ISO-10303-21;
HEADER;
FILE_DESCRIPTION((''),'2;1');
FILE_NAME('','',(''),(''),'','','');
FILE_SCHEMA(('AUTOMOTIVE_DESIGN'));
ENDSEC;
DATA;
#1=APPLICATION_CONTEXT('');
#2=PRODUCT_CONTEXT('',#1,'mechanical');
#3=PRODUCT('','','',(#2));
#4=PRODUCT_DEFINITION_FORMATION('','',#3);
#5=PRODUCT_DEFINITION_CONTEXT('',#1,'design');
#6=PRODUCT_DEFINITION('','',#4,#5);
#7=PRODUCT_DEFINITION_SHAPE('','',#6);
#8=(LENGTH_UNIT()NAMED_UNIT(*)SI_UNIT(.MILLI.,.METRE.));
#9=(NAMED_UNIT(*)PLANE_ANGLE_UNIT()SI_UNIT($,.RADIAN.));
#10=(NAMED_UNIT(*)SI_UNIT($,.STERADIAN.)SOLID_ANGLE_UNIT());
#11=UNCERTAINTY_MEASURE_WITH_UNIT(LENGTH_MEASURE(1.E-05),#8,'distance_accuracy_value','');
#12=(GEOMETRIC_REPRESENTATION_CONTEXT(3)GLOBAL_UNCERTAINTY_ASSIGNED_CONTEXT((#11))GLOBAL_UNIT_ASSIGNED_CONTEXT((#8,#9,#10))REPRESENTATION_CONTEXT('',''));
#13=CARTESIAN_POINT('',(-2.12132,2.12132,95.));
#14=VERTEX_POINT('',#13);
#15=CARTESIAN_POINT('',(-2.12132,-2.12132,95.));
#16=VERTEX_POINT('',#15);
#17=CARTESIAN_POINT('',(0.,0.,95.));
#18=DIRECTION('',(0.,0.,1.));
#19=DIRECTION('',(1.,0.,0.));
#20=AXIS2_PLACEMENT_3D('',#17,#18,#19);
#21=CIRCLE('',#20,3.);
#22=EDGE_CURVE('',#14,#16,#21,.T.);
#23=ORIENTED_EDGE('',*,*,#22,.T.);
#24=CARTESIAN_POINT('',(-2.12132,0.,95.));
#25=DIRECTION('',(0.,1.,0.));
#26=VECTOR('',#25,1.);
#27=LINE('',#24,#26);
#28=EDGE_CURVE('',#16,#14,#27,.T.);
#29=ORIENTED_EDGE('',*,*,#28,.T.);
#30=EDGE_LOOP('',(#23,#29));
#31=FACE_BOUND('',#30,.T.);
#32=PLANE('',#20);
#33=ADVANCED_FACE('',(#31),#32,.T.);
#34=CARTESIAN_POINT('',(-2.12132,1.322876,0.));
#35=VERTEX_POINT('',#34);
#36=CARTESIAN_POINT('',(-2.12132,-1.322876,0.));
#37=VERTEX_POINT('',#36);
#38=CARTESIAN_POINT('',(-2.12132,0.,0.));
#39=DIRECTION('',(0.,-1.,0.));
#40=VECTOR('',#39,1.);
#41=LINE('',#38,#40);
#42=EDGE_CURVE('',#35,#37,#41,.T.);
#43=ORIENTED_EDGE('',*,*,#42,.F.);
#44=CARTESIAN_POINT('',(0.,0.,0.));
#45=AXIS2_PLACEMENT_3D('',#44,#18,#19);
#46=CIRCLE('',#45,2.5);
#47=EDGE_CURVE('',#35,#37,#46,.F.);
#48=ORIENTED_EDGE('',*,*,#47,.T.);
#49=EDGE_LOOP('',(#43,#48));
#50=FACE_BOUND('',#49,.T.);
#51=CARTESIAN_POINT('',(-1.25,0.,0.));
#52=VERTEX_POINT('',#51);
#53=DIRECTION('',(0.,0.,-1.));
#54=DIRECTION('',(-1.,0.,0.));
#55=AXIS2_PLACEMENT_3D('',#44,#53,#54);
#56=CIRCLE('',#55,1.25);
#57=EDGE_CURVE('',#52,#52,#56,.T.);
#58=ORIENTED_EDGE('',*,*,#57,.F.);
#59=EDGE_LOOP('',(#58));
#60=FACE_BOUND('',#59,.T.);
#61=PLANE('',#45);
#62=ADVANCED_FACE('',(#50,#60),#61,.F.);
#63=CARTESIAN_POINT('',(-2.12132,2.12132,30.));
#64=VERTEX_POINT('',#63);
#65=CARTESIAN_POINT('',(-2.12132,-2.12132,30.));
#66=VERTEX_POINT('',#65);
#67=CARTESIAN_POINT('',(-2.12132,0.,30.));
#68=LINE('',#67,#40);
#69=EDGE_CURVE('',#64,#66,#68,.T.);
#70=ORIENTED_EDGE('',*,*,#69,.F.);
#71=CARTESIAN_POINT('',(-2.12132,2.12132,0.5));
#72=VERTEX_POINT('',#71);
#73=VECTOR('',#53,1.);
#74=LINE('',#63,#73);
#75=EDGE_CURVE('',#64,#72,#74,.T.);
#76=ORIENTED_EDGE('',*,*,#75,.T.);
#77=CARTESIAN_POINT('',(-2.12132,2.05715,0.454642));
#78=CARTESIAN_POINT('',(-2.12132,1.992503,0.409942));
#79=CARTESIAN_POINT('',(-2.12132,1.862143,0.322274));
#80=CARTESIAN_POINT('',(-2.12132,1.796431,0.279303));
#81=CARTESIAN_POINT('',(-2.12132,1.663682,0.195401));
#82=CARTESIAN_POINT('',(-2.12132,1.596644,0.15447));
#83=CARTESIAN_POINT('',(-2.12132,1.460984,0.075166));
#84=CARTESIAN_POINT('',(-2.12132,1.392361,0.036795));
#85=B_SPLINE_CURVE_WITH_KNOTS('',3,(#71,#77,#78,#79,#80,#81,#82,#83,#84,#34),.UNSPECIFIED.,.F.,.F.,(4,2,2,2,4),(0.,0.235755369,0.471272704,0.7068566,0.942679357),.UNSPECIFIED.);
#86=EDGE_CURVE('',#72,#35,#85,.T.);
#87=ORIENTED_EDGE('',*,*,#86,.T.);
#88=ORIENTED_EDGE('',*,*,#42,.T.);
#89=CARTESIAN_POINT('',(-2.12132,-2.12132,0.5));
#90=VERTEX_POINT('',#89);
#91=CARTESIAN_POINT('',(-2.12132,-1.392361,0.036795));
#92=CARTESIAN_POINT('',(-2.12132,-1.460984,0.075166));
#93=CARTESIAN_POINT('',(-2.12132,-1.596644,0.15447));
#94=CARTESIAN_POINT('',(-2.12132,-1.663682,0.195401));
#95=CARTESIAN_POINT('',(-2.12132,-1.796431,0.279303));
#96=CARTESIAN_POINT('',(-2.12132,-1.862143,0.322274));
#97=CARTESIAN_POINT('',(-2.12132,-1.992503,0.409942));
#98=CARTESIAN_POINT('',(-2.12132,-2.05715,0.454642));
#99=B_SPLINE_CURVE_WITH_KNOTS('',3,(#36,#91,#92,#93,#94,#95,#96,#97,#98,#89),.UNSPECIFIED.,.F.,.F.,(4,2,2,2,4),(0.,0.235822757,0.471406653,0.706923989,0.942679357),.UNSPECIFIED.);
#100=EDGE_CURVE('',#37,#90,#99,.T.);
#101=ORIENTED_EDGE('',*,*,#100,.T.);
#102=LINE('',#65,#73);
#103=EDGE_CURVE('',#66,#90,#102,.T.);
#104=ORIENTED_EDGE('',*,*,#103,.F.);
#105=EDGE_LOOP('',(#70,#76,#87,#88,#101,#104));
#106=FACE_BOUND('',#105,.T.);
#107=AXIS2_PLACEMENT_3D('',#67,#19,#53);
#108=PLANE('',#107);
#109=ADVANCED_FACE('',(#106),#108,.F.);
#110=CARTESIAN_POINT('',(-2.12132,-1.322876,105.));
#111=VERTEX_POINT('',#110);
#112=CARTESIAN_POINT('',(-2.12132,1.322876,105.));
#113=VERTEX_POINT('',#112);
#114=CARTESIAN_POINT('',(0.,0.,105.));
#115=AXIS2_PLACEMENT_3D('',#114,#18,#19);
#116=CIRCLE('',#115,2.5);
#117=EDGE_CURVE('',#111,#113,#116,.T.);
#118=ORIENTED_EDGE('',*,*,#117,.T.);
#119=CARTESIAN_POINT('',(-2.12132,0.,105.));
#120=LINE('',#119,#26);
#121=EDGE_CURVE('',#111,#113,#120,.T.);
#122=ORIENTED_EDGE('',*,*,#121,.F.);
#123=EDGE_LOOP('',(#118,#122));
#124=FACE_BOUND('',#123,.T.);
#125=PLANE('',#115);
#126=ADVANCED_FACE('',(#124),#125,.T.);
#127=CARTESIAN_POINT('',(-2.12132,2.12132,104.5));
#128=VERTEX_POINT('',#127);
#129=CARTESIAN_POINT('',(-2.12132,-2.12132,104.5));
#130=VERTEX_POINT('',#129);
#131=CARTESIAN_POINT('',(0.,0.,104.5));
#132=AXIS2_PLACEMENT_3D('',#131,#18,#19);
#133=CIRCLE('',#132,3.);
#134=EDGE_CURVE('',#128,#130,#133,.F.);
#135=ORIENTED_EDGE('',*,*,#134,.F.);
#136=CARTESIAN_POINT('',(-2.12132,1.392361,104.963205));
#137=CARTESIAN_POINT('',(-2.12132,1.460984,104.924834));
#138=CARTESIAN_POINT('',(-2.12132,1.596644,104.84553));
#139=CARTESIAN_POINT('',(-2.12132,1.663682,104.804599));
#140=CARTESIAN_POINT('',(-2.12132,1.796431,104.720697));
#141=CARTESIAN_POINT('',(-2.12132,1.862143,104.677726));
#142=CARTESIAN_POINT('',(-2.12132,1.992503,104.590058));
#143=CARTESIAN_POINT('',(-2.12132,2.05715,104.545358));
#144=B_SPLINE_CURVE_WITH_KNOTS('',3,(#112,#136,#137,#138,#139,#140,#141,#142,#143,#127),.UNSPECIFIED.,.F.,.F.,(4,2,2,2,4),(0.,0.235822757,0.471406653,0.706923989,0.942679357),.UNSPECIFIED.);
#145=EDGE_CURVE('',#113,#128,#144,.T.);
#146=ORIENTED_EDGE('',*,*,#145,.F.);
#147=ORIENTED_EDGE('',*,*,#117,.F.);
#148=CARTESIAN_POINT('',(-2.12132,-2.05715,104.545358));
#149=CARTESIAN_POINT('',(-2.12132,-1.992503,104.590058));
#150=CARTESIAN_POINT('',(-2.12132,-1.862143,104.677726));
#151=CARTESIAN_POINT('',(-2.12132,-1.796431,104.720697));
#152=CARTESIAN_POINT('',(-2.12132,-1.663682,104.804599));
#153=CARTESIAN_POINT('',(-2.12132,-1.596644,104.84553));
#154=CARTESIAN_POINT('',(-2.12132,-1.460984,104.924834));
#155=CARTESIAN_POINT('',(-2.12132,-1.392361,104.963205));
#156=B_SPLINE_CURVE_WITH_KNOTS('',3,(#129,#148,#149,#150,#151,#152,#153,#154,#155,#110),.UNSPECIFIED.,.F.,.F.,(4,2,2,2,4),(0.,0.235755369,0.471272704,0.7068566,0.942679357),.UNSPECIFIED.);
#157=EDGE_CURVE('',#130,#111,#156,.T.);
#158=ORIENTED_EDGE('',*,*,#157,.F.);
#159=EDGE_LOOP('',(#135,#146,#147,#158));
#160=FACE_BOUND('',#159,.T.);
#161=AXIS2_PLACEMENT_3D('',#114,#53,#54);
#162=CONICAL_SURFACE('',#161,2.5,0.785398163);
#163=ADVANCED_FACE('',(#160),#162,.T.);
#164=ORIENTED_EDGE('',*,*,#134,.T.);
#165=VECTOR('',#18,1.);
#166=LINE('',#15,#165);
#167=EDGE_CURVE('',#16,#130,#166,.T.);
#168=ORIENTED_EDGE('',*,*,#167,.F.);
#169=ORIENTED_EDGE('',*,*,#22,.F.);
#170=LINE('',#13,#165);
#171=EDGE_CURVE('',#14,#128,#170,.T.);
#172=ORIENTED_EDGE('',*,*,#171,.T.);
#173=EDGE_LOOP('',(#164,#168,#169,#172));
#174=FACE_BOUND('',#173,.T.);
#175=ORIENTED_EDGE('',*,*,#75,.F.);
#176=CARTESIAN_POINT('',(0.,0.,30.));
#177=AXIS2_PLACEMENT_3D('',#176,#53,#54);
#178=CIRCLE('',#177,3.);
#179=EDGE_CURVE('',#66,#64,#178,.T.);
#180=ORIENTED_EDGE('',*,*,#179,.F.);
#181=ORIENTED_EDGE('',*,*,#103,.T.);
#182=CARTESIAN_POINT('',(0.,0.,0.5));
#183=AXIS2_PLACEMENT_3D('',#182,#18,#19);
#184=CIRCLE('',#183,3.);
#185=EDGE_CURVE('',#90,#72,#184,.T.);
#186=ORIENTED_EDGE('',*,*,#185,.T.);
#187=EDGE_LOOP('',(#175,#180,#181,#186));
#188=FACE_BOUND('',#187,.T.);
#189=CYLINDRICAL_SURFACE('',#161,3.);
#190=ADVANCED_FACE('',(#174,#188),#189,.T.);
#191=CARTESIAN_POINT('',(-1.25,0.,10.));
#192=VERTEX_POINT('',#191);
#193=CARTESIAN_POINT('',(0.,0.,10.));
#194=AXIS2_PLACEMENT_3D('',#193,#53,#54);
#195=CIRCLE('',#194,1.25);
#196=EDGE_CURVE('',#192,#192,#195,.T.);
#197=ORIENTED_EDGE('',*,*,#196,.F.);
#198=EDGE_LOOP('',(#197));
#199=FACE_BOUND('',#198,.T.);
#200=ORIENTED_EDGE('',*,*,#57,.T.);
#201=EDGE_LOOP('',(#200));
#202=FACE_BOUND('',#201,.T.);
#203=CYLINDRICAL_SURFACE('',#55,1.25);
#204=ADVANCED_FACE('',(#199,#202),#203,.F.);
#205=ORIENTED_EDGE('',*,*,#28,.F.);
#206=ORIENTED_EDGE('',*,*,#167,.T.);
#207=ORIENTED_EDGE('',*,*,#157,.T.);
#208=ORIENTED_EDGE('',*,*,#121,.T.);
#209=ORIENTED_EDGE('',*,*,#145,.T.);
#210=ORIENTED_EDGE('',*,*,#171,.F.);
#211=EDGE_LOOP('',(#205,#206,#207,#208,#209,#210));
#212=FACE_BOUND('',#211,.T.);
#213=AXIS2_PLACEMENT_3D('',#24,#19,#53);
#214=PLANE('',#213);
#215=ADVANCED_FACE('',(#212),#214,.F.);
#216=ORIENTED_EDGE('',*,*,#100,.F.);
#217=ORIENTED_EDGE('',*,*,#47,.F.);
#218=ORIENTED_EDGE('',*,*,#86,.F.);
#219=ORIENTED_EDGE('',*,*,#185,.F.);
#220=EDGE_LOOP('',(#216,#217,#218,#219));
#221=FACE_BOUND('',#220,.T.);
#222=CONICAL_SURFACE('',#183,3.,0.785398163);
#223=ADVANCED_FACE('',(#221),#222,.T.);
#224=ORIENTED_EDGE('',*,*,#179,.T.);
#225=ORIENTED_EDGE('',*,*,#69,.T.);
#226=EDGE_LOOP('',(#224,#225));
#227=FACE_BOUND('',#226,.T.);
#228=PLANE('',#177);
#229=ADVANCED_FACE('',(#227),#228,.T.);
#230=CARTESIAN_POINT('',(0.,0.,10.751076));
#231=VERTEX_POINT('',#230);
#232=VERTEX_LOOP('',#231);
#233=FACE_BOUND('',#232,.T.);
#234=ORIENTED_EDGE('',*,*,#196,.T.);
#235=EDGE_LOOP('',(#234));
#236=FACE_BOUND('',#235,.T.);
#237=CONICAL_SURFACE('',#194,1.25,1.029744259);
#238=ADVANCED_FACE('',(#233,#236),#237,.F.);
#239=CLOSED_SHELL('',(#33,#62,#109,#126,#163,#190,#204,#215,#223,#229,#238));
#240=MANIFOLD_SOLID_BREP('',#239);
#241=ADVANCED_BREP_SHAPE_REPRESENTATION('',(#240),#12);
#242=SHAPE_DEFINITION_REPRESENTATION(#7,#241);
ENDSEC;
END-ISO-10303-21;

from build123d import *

# Parameters (mm, degrees)
SKETCH_1_R          = 3
EXTRUDE_1_DEPTH     = 105
CUT_EXTRUDE_1_DEPTH = 30
CUT_EXTRUDE_START   = -10
CUT_EXTRUDE_2_DEPTH = 10
M3X0_5_1_D          = 2.5
M3X0_5_1_DEPTH      = 10
M3X0_5_1_TIP        = 0.751075774
CHAMFER_1_SIZE      = 0.5


with BuildPart() as part:
    # 草图1 → 凸台-拉伸1 (new body)
    with BuildSketch(Plane.XY):
        Circle(SKETCH_1_R)
    extrude(amount=EXTRUDE_1_DEPTH)

    # 草图2 → 切除-拉伸1 (cut)
    with BuildSketch(Plane(origin=(0, 0, 0), x_dir=(-1, 0, 0), z_dir=(0, 0, -1))):
        with BuildLine():
            ThreePointArc((3, 0), (2.771638598, 1.148050297), (2.121320344, 2.121320344))
            Line((2.121320344, 2.121320344), (2.121320344, -2.121320344))
            ThreePointArc((2.121320344, -2.121320344), (2.771638598, -1.148050297), (3, 0))
        make_face()
    extrude(amount=-CUT_EXTRUDE_1_DEPTH, mode=Mode.SUBTRACT)

    # 草图3 → 切除-拉伸2 (cut)
    with BuildSketch(Plane.XY.offset(105).offset(CUT_EXTRUDE_START)):
        with BuildLine():
            Line((-2.121320344, -2.121320344), (-2.121320344, 2.121320344))
            ThreePointArc((-2.121320344, 2.121320344), (-3, 0), (-2.121320344, -2.121320344))
        make_face()
    extrude(amount=CUT_EXTRUDE_2_DEPTH, mode=Mode.SUBTRACT)

    # M3x0.5 螺纹孔1
    with Locations(Plane(origin=(0, 0, 0), x_dir=(-1, 0, 0), z_dir=(0, 0, -1))):
        with Locations((0, 0)):
            Hole(M3X0_5_1_D / 2, depth=M3X0_5_1_DEPTH)
            with Locations((0, 0, -(M3X0_5_1_DEPTH + M3X0_5_1_TIP / 2))):  # 118° drill point
                Cone(0, M3X0_5_1_D / 2, M3X0_5_1_TIP, mode=Mode.SUBTRACT)

    # 倒角1
    chamfer_1_edges = [part.edges().sort_by_distance(p)[0] for p in [
        (1.148050297, -2.771638598, 105),
        (1.148050297, 2.771638598, 0),
    ]]
    chamfer(chamfer_1_edges, length=CHAMFER_1_SIZE)


solid = part.part
